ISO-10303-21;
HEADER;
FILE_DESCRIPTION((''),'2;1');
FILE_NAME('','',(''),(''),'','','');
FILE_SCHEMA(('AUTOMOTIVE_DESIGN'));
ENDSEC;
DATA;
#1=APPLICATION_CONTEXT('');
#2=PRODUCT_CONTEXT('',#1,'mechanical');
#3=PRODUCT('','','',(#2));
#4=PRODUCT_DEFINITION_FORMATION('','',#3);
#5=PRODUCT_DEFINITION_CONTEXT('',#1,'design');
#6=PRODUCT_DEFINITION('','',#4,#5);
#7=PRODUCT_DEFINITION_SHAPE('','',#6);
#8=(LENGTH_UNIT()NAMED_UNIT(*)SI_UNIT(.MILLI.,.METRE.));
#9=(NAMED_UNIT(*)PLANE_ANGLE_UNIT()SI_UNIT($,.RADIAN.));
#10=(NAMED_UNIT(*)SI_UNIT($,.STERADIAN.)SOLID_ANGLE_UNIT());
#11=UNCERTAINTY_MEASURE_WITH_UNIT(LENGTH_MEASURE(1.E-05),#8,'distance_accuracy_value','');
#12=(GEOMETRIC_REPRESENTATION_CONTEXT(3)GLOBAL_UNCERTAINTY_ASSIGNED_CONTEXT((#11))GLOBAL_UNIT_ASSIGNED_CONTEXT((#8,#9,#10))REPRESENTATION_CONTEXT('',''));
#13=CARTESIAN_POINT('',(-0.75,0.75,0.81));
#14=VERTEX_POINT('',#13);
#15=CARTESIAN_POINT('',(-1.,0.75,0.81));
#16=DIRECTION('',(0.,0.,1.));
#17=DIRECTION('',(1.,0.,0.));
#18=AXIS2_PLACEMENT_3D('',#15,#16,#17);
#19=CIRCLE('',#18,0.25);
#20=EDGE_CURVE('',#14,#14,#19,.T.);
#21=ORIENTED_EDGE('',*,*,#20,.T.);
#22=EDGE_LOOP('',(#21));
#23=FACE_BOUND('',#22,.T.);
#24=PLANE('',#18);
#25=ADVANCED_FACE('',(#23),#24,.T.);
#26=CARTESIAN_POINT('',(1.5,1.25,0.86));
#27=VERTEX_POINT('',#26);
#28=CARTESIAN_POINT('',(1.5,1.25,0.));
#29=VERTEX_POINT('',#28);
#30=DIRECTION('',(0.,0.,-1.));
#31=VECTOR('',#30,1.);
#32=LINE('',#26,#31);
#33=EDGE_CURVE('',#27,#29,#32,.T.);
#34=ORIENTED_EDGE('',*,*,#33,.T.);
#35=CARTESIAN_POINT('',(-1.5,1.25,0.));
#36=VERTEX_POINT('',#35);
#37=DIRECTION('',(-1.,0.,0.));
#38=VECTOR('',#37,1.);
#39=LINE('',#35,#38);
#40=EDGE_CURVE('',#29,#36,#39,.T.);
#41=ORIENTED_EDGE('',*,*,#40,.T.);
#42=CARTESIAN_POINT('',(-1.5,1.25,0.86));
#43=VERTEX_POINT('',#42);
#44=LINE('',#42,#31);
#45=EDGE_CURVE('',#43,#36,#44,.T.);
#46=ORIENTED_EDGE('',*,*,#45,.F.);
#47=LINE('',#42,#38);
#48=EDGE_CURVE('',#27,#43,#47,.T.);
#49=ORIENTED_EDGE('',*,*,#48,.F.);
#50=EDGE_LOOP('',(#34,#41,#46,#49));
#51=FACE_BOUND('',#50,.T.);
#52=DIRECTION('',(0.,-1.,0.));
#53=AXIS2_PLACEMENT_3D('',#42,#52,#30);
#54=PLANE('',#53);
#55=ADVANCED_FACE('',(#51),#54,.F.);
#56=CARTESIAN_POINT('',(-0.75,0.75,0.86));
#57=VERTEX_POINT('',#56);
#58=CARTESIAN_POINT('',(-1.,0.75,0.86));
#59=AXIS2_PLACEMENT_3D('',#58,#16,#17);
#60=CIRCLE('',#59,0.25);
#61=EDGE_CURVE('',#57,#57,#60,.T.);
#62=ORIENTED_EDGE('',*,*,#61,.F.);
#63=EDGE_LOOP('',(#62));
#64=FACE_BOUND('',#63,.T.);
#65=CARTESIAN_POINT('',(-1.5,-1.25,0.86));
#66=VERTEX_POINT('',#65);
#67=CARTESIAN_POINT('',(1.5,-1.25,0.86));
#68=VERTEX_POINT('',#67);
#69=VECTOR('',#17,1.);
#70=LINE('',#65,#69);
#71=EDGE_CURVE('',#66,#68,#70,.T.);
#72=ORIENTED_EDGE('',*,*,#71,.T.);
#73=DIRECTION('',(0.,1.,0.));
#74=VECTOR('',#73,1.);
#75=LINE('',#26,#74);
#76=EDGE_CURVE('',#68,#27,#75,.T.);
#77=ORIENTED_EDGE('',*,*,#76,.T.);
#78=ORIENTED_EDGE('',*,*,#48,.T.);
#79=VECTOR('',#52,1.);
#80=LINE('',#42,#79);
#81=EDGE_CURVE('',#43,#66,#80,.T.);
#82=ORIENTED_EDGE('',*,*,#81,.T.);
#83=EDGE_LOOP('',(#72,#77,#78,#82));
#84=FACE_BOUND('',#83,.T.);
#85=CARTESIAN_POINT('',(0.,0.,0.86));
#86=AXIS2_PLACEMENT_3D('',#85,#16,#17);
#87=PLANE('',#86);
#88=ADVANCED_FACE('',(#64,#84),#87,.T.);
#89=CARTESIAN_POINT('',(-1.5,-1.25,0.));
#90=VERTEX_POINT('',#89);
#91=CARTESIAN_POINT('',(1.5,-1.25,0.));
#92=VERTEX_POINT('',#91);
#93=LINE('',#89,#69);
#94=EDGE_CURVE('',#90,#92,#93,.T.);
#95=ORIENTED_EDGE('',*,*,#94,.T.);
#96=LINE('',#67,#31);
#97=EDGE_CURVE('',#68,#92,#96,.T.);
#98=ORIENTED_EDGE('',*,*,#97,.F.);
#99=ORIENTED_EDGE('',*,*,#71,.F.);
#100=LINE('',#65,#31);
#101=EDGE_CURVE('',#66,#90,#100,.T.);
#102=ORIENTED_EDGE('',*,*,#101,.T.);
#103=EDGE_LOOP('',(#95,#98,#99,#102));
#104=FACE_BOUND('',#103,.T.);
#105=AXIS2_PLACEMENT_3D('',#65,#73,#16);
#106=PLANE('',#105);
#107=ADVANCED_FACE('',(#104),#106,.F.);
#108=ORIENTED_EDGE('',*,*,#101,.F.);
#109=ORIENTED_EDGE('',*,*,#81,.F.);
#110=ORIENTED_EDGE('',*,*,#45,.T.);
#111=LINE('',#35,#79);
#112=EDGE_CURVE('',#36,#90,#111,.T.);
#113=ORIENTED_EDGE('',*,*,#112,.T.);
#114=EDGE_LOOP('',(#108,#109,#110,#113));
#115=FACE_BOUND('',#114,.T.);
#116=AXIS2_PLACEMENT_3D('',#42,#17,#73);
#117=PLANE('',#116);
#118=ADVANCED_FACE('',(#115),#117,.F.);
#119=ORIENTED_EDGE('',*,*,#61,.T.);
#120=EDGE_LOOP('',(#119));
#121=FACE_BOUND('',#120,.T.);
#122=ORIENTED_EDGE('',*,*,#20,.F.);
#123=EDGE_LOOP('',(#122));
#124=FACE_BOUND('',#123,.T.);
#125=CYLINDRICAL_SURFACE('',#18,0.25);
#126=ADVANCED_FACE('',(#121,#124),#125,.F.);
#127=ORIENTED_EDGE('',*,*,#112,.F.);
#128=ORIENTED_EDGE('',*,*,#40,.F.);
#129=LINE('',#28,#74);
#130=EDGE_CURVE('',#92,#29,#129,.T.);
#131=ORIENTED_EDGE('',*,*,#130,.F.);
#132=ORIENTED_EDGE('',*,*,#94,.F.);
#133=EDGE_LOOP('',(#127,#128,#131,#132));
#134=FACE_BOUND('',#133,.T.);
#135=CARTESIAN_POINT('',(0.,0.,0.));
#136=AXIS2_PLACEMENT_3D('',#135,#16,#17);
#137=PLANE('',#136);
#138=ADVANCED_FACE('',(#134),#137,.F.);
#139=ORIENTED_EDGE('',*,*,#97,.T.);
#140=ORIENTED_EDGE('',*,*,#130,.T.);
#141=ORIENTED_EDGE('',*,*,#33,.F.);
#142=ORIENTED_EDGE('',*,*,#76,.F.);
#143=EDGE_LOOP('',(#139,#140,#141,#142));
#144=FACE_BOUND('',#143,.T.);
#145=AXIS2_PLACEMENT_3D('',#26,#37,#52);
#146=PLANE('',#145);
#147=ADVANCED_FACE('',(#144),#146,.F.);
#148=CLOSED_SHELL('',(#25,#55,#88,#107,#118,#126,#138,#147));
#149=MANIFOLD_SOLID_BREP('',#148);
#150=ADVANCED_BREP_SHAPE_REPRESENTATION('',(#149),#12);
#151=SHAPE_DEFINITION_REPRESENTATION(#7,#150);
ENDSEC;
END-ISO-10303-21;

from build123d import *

# Parameters (mm, degrees)
SKETCH1_W           = 3
SKETCH1_H           = 2.5
BOSS_EXTRUDE1_DEPTH = 0.86
SKETCH2_R           = 0.25
CUT_EXTRUDE1_DEPTH  = 0.05


with BuildPart() as part:
    # Sketch1 → Boss-Extrude1 (new body)
    with BuildSketch(Plane.XY):
        Rectangle(SKETCH1_W, SKETCH1_H)
    extrude(amount=BOSS_EXTRUDE1_DEPTH)

    # Sketch2 → Cut-Extrude1 (cut)
    with BuildSketch(Plane.XY.offset(0.86)):
        with Locations((-1, 0.75)):
            Circle(SKETCH2_R)
    extrude(amount=-CUT_EXTRUDE1_DEPTH, mode=Mode.SUBTRACT)


solid = part.part
